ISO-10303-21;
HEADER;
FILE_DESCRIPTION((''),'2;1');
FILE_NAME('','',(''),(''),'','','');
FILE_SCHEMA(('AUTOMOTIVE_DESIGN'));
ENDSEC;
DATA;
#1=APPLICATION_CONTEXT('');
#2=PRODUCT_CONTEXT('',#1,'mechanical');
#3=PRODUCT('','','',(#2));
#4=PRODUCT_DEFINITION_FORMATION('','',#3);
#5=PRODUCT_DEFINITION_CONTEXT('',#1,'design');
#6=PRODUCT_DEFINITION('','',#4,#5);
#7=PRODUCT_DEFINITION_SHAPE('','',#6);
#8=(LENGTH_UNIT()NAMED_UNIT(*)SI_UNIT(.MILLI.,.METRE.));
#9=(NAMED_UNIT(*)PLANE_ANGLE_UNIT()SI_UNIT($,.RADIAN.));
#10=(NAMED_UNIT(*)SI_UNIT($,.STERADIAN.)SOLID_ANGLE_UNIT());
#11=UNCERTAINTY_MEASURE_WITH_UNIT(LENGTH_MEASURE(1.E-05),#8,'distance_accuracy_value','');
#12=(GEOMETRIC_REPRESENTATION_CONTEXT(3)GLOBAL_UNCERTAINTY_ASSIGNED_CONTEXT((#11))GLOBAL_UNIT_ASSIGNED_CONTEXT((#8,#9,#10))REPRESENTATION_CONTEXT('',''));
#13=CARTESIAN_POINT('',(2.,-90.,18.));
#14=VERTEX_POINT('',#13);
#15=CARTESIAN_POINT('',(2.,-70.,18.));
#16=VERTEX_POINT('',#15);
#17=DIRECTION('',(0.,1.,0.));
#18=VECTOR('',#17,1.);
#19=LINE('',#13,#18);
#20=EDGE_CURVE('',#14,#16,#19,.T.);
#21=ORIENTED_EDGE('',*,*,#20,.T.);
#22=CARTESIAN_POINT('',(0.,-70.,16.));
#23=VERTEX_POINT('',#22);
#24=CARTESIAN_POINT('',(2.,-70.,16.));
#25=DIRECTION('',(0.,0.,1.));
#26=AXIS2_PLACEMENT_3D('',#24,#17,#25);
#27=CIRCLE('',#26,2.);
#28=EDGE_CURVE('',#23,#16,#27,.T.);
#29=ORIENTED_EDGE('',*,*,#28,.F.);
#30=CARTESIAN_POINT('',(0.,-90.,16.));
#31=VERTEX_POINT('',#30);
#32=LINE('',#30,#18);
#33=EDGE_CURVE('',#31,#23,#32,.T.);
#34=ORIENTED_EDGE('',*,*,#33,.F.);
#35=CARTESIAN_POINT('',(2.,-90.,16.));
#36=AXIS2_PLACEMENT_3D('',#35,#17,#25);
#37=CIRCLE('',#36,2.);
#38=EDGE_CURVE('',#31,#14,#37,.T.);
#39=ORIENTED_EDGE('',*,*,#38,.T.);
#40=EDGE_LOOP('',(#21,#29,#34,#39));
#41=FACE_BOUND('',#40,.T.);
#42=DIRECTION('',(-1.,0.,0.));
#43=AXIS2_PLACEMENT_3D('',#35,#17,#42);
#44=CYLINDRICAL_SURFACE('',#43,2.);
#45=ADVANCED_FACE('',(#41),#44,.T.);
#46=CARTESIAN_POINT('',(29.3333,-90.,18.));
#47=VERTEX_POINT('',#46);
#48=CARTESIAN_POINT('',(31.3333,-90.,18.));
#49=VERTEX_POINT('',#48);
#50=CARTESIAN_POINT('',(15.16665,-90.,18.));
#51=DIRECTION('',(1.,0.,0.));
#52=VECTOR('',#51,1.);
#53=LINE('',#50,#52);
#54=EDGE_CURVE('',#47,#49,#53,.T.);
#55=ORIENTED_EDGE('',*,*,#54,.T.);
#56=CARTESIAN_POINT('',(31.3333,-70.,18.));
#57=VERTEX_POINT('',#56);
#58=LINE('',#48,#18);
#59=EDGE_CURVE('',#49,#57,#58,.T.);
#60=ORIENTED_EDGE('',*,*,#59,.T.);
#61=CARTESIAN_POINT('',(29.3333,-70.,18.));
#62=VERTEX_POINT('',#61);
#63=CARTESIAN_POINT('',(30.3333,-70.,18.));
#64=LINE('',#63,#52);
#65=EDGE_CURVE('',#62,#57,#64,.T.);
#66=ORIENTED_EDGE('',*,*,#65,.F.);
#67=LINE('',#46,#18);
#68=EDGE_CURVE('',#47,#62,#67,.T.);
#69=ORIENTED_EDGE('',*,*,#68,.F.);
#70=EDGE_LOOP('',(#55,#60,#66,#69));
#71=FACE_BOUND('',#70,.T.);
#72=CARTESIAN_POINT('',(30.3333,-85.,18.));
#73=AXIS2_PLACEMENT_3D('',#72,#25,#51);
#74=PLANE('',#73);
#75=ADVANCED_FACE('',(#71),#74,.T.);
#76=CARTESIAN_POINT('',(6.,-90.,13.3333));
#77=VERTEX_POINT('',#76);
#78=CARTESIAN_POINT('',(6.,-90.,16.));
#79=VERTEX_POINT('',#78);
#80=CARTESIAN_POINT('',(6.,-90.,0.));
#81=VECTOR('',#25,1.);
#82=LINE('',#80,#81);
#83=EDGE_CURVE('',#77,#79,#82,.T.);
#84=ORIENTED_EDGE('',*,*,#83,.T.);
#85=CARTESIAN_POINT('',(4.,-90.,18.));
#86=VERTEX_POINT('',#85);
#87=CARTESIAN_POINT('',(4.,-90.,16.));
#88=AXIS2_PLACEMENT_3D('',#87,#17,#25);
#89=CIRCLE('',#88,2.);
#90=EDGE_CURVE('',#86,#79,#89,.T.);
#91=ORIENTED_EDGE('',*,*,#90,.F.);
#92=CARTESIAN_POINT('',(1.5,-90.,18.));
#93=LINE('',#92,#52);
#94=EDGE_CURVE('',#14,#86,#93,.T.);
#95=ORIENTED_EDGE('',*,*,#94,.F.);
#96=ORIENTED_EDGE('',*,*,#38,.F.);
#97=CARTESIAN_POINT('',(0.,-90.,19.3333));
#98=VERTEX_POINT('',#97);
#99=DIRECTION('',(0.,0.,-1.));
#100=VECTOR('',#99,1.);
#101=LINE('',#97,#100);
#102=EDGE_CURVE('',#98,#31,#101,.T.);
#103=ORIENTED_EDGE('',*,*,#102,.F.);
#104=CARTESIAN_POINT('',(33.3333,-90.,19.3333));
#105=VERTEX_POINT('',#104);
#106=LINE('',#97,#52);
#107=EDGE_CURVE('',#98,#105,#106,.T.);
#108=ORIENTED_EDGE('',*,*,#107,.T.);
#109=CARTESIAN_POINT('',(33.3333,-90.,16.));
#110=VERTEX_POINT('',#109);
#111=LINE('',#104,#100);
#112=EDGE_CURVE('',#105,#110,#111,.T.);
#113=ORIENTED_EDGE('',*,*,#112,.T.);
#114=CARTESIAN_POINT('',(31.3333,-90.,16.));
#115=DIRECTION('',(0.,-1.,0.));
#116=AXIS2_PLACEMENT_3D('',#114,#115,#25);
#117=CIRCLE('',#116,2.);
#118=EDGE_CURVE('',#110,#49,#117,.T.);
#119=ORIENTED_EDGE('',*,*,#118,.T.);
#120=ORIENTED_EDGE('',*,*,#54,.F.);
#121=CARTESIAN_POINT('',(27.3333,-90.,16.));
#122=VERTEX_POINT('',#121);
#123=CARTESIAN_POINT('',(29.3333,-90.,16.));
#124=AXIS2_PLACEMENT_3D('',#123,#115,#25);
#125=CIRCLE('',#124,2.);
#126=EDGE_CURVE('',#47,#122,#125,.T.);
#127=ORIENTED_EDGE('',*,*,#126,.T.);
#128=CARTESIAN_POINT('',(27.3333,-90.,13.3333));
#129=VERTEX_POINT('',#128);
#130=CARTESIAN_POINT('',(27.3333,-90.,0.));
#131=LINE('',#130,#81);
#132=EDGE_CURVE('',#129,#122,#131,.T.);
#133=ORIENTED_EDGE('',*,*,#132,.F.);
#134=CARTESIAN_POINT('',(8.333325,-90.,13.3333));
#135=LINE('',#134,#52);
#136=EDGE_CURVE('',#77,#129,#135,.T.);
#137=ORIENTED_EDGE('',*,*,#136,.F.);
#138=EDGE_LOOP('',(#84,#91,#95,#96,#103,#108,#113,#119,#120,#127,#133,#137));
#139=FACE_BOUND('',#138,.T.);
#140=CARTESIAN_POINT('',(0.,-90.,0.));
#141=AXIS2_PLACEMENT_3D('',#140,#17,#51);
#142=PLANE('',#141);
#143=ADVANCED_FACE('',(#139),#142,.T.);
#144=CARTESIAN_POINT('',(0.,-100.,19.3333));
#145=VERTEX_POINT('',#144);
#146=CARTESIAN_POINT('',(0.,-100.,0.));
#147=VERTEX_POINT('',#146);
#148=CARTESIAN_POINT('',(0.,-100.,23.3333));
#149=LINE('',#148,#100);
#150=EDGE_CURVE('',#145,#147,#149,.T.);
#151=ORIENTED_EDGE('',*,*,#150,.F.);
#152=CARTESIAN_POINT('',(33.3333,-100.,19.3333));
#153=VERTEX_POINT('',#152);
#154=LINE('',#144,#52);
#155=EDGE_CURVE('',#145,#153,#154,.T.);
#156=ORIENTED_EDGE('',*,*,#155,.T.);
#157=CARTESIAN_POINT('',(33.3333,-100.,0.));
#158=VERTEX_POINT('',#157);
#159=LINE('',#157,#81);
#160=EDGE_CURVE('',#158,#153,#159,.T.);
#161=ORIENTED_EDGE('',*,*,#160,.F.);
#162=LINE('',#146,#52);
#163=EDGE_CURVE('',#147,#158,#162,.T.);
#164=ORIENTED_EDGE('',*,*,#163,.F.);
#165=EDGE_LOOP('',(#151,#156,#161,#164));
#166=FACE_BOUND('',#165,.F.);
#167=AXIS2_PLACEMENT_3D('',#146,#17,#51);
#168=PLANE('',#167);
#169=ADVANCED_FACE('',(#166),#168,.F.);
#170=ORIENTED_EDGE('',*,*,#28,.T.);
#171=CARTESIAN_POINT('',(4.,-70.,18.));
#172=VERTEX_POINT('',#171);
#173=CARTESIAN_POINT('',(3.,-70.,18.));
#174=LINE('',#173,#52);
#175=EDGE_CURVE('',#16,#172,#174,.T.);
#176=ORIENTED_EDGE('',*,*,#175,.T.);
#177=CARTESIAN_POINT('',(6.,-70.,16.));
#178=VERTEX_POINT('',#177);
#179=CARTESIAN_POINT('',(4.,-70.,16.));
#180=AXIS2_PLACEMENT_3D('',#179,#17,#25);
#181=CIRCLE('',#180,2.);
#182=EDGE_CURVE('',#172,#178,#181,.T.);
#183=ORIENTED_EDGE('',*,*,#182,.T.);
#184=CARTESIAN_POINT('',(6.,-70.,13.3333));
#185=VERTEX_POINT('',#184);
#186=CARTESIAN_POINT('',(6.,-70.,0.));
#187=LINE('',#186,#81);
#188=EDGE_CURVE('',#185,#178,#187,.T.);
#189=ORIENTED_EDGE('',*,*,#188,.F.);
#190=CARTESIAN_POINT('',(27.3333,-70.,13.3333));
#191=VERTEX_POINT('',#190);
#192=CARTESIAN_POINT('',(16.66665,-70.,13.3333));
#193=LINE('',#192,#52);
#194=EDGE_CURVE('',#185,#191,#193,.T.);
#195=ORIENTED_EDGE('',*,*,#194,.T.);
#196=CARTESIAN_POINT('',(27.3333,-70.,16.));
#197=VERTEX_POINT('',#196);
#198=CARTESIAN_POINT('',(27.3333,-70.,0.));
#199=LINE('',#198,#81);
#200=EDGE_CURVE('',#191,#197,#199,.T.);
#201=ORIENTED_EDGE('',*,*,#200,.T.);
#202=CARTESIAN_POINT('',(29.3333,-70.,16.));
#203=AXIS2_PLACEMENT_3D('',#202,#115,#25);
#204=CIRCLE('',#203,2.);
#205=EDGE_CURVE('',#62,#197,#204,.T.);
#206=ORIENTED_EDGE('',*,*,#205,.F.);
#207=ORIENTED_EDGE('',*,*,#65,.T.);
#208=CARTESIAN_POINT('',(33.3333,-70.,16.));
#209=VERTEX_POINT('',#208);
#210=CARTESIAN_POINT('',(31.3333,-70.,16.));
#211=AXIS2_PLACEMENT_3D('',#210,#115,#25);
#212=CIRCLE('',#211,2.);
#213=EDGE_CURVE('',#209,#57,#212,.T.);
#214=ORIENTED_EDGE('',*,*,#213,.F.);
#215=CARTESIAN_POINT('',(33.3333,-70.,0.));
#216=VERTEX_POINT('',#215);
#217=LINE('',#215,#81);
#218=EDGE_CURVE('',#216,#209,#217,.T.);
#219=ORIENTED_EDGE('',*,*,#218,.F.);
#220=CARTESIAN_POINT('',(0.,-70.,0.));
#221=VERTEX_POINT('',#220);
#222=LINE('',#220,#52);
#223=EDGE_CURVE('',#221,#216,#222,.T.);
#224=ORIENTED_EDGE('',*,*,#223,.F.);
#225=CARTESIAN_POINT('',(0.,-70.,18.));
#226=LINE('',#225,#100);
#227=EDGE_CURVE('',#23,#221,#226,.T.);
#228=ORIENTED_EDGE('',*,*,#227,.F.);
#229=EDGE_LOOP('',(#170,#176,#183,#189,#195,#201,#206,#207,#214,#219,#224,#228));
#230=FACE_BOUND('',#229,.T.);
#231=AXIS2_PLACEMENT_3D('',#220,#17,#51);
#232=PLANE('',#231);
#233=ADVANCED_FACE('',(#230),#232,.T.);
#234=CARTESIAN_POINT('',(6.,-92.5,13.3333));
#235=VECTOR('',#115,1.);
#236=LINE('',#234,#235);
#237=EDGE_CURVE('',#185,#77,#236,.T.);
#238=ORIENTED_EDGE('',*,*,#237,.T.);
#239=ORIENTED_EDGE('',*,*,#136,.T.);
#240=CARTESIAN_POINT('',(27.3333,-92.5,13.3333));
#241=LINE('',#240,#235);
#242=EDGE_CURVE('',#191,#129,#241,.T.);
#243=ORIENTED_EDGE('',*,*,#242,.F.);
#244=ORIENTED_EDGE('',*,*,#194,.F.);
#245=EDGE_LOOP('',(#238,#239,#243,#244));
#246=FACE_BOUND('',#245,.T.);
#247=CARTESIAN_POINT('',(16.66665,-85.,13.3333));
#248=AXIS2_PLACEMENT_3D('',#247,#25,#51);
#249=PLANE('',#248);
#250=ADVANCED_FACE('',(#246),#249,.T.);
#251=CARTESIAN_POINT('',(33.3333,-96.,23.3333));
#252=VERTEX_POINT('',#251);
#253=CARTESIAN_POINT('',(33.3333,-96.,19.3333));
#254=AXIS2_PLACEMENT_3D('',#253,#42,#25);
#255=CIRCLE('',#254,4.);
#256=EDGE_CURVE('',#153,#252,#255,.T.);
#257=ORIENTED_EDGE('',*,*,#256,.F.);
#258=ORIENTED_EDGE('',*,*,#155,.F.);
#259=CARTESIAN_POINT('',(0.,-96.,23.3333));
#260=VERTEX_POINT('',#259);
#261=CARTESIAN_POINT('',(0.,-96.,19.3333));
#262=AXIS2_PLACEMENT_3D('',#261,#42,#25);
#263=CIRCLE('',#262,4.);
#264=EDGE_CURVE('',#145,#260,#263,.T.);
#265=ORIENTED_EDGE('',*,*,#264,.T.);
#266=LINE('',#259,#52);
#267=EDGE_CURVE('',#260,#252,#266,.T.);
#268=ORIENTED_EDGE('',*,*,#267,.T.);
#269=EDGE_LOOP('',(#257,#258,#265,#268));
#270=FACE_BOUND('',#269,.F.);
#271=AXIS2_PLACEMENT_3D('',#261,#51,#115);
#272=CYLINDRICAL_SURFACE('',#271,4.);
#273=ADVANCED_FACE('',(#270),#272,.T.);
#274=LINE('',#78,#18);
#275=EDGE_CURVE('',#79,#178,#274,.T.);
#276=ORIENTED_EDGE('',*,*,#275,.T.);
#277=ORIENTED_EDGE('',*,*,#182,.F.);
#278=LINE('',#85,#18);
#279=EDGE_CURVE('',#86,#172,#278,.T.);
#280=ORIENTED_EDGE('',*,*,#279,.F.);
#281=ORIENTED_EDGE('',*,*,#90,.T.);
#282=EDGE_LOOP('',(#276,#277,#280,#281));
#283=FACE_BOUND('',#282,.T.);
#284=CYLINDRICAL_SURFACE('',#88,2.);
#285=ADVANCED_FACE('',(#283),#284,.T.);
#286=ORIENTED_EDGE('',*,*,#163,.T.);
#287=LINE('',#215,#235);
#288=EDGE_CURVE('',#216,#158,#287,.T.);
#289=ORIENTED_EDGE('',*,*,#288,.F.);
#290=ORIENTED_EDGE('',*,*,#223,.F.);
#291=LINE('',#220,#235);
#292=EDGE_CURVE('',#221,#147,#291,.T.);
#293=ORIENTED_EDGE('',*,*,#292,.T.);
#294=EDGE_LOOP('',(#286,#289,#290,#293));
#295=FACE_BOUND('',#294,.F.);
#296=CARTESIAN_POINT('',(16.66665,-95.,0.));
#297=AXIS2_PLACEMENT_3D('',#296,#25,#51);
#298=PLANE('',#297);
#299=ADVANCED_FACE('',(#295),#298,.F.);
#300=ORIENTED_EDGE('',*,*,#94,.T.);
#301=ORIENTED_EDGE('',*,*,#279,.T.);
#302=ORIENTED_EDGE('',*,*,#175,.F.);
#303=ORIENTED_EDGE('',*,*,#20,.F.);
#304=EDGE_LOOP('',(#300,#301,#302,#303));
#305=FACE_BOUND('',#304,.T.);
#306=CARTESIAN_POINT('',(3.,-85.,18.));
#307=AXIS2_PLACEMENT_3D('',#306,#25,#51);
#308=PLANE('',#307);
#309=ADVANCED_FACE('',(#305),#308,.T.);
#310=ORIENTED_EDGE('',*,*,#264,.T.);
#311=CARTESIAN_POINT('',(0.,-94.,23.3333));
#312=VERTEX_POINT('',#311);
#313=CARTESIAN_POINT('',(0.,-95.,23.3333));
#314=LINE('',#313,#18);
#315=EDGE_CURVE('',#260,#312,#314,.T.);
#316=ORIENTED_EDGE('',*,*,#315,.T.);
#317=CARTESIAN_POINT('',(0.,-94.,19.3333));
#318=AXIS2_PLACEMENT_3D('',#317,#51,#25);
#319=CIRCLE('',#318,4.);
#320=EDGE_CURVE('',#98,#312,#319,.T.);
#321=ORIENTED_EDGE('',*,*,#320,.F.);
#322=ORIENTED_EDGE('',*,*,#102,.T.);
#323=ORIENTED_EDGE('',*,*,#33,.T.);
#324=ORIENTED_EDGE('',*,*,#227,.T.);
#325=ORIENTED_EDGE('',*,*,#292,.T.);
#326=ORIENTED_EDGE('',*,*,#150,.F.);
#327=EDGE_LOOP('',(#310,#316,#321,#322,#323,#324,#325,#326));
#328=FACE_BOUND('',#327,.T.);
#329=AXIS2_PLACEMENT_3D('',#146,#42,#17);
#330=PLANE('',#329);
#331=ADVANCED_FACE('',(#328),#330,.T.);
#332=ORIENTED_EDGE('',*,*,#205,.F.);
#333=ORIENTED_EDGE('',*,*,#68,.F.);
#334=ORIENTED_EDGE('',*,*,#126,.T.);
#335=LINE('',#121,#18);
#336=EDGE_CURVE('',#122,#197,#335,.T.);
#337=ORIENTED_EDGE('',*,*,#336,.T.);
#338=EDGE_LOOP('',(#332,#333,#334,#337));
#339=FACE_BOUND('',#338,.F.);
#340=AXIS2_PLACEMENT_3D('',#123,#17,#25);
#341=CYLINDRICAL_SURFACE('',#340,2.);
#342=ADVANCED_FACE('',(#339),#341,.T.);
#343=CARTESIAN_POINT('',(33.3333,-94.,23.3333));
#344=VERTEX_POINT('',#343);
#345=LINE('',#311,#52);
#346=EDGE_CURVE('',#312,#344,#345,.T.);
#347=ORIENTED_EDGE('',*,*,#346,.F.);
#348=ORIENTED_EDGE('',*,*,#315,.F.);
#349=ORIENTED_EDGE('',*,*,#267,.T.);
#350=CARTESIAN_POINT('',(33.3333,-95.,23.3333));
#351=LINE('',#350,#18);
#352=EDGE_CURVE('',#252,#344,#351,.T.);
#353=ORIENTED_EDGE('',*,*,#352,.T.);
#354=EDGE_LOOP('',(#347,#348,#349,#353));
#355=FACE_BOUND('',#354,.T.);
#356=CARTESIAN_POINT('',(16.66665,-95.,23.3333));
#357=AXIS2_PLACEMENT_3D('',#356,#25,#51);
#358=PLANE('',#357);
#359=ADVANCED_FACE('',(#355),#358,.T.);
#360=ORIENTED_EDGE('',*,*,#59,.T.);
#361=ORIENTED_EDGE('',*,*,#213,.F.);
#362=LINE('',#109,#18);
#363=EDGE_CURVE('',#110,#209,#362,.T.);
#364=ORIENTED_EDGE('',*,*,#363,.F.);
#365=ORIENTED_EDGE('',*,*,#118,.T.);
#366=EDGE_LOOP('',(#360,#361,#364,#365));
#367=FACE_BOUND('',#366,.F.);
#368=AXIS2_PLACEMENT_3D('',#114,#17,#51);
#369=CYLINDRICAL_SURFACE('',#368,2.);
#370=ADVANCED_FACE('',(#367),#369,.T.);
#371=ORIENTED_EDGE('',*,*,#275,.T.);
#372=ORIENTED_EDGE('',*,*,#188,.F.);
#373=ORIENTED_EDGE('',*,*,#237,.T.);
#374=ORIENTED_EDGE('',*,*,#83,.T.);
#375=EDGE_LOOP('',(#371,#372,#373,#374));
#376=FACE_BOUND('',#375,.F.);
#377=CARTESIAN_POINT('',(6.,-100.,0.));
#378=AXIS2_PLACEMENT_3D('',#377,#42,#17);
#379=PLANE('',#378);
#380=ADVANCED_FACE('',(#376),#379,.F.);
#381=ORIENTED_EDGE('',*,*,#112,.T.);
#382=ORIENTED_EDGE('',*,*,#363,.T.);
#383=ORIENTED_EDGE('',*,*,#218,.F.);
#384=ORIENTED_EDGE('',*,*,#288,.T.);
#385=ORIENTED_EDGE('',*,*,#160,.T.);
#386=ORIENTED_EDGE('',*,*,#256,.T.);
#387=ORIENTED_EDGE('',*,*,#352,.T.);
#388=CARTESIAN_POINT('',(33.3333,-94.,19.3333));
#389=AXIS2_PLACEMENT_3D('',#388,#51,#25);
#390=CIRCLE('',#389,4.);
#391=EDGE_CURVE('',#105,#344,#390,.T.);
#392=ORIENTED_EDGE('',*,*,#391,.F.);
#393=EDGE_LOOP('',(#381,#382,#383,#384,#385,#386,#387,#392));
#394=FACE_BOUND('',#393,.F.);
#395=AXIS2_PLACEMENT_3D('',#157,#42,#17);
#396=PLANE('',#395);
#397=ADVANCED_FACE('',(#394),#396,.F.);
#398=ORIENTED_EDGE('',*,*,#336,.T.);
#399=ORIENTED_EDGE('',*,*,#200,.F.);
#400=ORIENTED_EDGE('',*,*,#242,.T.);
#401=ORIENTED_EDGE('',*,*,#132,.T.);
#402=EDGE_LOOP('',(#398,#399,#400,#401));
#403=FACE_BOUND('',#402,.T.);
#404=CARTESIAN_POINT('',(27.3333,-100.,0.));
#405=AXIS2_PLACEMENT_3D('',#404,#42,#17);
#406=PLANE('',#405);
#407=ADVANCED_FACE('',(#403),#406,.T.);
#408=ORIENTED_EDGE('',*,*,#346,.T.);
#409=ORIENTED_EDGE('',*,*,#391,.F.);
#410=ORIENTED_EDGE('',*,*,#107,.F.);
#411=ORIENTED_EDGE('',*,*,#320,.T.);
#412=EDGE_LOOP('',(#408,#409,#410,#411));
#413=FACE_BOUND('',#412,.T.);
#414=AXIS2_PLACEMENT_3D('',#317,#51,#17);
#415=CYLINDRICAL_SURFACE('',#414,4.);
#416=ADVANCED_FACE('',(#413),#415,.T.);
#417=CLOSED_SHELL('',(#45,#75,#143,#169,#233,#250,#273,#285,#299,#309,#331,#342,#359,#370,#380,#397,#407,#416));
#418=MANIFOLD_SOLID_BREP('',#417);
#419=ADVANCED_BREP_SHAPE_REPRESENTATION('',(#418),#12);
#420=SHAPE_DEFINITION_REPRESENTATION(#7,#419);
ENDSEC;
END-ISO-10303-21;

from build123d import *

# Parameters (mm, degrees)
BOX021003023_W     = 33.3333
BOX021003023_H     = 30
BOX021003023_DEPTH = 13.3333
BOX021003025_W     = 6
BOX021003025_H     = 30
BOX021003025_DEPTH = 18
BOX021003026_W     = 6
BOX021003026_H     = 30
BOX021003026_DEPTH = 18
BOX021003020_W     = 33.3333
BOX021003020_H     = 10
BOX021003020_DEPTH = 23.3333
FILLET001_1_R      = 4
FILLET001_2_R      = 2


with BuildPart() as asiento:
    # Box021003023 → Box021003023 (new body)
    with BuildSketch(Plane.XY):
        with Locations((16.66665, 15)):
            Rectangle(BOX021003023_W, BOX021003023_H)
    extrude(amount=BOX021003023_DEPTH)


with BuildPart() as reposabrazos_izquierdo_butaca_porche:
    # Box021003025 → Box021003025 (new body)
    with BuildSketch(Plane(origin=(27.3333, 0, 0), x_dir=(1, 0, 0), z_dir=(0, 0, 1))):
        with Locations((3, 15)):
            Rectangle(BOX021003025_W, BOX021003025_H)
    extrude(amount=BOX021003025_DEPTH)


with BuildPart() as reposabrazos_derecho_butaca_porche:
    # Box021003026 → Box021003026 (new body)
    with BuildSketch(Plane.XY):
        with Locations((3, 15)):
            Rectangle(BOX021003026_W, BOX021003026_H)
    extrude(amount=BOX021003026_DEPTH)


with BuildPart() as butaca_porche:
    # Box021003020 → Box021003020 (new body)
    with BuildSketch(Plane.XY):
        with Locations((16.66665, 5)):
            Rectangle(BOX021003020_W, BOX021003020_H)
    extrude(amount=BOX021003020_DEPTH)

    # Fusion012: union Asiento, reposabrazos izquierdo butaca porche, reposabrazos derecho butaca porche
    add(asiento.part)
    add(reposabrazos_izquierdo_butaca_porche.part)
    add(reposabrazos_derecho_butaca_porche.part)

    # Fillet001 1
    fillet001_1_edges = [butaca_porche.edges().sort_by_distance(p)[0] for p in [
        (16.66665, 10, 23.3333),
        (16.66665, 0, 23.3333),
    ]]
    fillet(fillet001_1_edges, radius=FILLET001_1_R)

    # Fillet001 2
    fillet001_2_edges = [butaca_porche.edges().sort_by_distance(p)[0] for p in [
        (0, 20, 18),
        (6, 20, 18),
        (27.3333, 20, 18),
        (33.3333, 20, 18),
    ]]
    fillet(fillet001_2_edges, radius=FILLET001_2_R)


with BuildPart() as butaca_porche_1:
    # Fillet001 placement: moved
    add(butaca_porche.part.moved(Location((0, -100, 0))))


solid = butaca_porche_1.part
